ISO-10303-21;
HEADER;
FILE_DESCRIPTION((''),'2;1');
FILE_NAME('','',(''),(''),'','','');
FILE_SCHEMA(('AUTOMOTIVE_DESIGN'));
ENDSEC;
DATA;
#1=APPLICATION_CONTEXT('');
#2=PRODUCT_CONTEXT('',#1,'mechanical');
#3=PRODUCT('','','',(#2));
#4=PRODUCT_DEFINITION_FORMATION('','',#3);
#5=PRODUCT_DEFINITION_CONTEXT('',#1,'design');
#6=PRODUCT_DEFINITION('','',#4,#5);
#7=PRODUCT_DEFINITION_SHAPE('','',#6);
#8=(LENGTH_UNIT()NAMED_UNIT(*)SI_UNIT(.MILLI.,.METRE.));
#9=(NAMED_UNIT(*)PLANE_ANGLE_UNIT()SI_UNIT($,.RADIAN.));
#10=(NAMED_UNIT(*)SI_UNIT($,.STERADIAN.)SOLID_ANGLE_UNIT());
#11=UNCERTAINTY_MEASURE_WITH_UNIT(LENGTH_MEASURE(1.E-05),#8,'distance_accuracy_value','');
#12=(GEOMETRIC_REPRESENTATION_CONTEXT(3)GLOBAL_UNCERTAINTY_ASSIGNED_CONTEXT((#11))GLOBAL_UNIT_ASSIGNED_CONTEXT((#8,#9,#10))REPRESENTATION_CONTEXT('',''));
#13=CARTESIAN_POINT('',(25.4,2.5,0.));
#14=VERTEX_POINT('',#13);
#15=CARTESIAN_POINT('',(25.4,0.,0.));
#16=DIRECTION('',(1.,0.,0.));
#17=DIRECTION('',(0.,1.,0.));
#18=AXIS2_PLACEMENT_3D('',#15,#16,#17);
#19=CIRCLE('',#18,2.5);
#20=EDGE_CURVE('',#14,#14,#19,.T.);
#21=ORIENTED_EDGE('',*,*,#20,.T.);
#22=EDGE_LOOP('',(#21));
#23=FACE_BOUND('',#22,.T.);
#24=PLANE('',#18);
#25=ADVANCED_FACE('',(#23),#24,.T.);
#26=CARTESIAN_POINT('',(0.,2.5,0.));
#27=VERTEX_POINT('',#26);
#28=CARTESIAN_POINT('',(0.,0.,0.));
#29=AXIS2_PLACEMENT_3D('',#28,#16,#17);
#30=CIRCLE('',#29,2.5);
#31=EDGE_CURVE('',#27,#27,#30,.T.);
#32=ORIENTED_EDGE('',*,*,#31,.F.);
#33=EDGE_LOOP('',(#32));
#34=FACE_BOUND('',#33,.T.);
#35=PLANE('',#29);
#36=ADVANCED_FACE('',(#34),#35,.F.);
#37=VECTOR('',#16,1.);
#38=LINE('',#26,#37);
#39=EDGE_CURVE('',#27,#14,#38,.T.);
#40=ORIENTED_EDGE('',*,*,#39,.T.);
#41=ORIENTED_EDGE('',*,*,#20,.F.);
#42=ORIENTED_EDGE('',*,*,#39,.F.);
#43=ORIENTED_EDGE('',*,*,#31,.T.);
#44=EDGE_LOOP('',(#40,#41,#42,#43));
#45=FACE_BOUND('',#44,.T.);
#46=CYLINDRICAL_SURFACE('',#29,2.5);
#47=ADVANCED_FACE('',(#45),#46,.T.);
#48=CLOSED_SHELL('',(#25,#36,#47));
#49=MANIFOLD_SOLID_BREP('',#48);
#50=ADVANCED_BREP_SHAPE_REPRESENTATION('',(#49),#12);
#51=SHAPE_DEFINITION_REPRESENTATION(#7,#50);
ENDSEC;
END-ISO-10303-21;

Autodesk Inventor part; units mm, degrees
ref_plane "Start Plane" through (0, 0, 0) normal (1, 0, 0) x (0, 1, 0)
ref_plane "XZ Plane" through (0, 0, 0) normal (0, 1, 0) x (-1, 0, 0)
ref_plane "XY Plane" through (0, 0, 0) normal (0, 0, 1) x (1, 0, 0)
sketch "Main Sketch" plane through (0, 0, 0) normal (0, 0, 1) x (1, 0, 0)
  line L0 (0, 0) -> (25.4, 0)
  line L1 (0, 0) -> (0, 2.5)
  line L2 (25.4, 2.5) -> (25.4, 0)
  line L3 (0, 2.5) -> (25.4, 2.5)
  dimension "d3" = 5
revolve "Revolution1" add sketch "Main Sketch" angle 360 about axis through (0, 0, 0) along (1, 0, 0)
equation "\"Length\" = 25.4"
properties part number "Shaft" material "Steel"
